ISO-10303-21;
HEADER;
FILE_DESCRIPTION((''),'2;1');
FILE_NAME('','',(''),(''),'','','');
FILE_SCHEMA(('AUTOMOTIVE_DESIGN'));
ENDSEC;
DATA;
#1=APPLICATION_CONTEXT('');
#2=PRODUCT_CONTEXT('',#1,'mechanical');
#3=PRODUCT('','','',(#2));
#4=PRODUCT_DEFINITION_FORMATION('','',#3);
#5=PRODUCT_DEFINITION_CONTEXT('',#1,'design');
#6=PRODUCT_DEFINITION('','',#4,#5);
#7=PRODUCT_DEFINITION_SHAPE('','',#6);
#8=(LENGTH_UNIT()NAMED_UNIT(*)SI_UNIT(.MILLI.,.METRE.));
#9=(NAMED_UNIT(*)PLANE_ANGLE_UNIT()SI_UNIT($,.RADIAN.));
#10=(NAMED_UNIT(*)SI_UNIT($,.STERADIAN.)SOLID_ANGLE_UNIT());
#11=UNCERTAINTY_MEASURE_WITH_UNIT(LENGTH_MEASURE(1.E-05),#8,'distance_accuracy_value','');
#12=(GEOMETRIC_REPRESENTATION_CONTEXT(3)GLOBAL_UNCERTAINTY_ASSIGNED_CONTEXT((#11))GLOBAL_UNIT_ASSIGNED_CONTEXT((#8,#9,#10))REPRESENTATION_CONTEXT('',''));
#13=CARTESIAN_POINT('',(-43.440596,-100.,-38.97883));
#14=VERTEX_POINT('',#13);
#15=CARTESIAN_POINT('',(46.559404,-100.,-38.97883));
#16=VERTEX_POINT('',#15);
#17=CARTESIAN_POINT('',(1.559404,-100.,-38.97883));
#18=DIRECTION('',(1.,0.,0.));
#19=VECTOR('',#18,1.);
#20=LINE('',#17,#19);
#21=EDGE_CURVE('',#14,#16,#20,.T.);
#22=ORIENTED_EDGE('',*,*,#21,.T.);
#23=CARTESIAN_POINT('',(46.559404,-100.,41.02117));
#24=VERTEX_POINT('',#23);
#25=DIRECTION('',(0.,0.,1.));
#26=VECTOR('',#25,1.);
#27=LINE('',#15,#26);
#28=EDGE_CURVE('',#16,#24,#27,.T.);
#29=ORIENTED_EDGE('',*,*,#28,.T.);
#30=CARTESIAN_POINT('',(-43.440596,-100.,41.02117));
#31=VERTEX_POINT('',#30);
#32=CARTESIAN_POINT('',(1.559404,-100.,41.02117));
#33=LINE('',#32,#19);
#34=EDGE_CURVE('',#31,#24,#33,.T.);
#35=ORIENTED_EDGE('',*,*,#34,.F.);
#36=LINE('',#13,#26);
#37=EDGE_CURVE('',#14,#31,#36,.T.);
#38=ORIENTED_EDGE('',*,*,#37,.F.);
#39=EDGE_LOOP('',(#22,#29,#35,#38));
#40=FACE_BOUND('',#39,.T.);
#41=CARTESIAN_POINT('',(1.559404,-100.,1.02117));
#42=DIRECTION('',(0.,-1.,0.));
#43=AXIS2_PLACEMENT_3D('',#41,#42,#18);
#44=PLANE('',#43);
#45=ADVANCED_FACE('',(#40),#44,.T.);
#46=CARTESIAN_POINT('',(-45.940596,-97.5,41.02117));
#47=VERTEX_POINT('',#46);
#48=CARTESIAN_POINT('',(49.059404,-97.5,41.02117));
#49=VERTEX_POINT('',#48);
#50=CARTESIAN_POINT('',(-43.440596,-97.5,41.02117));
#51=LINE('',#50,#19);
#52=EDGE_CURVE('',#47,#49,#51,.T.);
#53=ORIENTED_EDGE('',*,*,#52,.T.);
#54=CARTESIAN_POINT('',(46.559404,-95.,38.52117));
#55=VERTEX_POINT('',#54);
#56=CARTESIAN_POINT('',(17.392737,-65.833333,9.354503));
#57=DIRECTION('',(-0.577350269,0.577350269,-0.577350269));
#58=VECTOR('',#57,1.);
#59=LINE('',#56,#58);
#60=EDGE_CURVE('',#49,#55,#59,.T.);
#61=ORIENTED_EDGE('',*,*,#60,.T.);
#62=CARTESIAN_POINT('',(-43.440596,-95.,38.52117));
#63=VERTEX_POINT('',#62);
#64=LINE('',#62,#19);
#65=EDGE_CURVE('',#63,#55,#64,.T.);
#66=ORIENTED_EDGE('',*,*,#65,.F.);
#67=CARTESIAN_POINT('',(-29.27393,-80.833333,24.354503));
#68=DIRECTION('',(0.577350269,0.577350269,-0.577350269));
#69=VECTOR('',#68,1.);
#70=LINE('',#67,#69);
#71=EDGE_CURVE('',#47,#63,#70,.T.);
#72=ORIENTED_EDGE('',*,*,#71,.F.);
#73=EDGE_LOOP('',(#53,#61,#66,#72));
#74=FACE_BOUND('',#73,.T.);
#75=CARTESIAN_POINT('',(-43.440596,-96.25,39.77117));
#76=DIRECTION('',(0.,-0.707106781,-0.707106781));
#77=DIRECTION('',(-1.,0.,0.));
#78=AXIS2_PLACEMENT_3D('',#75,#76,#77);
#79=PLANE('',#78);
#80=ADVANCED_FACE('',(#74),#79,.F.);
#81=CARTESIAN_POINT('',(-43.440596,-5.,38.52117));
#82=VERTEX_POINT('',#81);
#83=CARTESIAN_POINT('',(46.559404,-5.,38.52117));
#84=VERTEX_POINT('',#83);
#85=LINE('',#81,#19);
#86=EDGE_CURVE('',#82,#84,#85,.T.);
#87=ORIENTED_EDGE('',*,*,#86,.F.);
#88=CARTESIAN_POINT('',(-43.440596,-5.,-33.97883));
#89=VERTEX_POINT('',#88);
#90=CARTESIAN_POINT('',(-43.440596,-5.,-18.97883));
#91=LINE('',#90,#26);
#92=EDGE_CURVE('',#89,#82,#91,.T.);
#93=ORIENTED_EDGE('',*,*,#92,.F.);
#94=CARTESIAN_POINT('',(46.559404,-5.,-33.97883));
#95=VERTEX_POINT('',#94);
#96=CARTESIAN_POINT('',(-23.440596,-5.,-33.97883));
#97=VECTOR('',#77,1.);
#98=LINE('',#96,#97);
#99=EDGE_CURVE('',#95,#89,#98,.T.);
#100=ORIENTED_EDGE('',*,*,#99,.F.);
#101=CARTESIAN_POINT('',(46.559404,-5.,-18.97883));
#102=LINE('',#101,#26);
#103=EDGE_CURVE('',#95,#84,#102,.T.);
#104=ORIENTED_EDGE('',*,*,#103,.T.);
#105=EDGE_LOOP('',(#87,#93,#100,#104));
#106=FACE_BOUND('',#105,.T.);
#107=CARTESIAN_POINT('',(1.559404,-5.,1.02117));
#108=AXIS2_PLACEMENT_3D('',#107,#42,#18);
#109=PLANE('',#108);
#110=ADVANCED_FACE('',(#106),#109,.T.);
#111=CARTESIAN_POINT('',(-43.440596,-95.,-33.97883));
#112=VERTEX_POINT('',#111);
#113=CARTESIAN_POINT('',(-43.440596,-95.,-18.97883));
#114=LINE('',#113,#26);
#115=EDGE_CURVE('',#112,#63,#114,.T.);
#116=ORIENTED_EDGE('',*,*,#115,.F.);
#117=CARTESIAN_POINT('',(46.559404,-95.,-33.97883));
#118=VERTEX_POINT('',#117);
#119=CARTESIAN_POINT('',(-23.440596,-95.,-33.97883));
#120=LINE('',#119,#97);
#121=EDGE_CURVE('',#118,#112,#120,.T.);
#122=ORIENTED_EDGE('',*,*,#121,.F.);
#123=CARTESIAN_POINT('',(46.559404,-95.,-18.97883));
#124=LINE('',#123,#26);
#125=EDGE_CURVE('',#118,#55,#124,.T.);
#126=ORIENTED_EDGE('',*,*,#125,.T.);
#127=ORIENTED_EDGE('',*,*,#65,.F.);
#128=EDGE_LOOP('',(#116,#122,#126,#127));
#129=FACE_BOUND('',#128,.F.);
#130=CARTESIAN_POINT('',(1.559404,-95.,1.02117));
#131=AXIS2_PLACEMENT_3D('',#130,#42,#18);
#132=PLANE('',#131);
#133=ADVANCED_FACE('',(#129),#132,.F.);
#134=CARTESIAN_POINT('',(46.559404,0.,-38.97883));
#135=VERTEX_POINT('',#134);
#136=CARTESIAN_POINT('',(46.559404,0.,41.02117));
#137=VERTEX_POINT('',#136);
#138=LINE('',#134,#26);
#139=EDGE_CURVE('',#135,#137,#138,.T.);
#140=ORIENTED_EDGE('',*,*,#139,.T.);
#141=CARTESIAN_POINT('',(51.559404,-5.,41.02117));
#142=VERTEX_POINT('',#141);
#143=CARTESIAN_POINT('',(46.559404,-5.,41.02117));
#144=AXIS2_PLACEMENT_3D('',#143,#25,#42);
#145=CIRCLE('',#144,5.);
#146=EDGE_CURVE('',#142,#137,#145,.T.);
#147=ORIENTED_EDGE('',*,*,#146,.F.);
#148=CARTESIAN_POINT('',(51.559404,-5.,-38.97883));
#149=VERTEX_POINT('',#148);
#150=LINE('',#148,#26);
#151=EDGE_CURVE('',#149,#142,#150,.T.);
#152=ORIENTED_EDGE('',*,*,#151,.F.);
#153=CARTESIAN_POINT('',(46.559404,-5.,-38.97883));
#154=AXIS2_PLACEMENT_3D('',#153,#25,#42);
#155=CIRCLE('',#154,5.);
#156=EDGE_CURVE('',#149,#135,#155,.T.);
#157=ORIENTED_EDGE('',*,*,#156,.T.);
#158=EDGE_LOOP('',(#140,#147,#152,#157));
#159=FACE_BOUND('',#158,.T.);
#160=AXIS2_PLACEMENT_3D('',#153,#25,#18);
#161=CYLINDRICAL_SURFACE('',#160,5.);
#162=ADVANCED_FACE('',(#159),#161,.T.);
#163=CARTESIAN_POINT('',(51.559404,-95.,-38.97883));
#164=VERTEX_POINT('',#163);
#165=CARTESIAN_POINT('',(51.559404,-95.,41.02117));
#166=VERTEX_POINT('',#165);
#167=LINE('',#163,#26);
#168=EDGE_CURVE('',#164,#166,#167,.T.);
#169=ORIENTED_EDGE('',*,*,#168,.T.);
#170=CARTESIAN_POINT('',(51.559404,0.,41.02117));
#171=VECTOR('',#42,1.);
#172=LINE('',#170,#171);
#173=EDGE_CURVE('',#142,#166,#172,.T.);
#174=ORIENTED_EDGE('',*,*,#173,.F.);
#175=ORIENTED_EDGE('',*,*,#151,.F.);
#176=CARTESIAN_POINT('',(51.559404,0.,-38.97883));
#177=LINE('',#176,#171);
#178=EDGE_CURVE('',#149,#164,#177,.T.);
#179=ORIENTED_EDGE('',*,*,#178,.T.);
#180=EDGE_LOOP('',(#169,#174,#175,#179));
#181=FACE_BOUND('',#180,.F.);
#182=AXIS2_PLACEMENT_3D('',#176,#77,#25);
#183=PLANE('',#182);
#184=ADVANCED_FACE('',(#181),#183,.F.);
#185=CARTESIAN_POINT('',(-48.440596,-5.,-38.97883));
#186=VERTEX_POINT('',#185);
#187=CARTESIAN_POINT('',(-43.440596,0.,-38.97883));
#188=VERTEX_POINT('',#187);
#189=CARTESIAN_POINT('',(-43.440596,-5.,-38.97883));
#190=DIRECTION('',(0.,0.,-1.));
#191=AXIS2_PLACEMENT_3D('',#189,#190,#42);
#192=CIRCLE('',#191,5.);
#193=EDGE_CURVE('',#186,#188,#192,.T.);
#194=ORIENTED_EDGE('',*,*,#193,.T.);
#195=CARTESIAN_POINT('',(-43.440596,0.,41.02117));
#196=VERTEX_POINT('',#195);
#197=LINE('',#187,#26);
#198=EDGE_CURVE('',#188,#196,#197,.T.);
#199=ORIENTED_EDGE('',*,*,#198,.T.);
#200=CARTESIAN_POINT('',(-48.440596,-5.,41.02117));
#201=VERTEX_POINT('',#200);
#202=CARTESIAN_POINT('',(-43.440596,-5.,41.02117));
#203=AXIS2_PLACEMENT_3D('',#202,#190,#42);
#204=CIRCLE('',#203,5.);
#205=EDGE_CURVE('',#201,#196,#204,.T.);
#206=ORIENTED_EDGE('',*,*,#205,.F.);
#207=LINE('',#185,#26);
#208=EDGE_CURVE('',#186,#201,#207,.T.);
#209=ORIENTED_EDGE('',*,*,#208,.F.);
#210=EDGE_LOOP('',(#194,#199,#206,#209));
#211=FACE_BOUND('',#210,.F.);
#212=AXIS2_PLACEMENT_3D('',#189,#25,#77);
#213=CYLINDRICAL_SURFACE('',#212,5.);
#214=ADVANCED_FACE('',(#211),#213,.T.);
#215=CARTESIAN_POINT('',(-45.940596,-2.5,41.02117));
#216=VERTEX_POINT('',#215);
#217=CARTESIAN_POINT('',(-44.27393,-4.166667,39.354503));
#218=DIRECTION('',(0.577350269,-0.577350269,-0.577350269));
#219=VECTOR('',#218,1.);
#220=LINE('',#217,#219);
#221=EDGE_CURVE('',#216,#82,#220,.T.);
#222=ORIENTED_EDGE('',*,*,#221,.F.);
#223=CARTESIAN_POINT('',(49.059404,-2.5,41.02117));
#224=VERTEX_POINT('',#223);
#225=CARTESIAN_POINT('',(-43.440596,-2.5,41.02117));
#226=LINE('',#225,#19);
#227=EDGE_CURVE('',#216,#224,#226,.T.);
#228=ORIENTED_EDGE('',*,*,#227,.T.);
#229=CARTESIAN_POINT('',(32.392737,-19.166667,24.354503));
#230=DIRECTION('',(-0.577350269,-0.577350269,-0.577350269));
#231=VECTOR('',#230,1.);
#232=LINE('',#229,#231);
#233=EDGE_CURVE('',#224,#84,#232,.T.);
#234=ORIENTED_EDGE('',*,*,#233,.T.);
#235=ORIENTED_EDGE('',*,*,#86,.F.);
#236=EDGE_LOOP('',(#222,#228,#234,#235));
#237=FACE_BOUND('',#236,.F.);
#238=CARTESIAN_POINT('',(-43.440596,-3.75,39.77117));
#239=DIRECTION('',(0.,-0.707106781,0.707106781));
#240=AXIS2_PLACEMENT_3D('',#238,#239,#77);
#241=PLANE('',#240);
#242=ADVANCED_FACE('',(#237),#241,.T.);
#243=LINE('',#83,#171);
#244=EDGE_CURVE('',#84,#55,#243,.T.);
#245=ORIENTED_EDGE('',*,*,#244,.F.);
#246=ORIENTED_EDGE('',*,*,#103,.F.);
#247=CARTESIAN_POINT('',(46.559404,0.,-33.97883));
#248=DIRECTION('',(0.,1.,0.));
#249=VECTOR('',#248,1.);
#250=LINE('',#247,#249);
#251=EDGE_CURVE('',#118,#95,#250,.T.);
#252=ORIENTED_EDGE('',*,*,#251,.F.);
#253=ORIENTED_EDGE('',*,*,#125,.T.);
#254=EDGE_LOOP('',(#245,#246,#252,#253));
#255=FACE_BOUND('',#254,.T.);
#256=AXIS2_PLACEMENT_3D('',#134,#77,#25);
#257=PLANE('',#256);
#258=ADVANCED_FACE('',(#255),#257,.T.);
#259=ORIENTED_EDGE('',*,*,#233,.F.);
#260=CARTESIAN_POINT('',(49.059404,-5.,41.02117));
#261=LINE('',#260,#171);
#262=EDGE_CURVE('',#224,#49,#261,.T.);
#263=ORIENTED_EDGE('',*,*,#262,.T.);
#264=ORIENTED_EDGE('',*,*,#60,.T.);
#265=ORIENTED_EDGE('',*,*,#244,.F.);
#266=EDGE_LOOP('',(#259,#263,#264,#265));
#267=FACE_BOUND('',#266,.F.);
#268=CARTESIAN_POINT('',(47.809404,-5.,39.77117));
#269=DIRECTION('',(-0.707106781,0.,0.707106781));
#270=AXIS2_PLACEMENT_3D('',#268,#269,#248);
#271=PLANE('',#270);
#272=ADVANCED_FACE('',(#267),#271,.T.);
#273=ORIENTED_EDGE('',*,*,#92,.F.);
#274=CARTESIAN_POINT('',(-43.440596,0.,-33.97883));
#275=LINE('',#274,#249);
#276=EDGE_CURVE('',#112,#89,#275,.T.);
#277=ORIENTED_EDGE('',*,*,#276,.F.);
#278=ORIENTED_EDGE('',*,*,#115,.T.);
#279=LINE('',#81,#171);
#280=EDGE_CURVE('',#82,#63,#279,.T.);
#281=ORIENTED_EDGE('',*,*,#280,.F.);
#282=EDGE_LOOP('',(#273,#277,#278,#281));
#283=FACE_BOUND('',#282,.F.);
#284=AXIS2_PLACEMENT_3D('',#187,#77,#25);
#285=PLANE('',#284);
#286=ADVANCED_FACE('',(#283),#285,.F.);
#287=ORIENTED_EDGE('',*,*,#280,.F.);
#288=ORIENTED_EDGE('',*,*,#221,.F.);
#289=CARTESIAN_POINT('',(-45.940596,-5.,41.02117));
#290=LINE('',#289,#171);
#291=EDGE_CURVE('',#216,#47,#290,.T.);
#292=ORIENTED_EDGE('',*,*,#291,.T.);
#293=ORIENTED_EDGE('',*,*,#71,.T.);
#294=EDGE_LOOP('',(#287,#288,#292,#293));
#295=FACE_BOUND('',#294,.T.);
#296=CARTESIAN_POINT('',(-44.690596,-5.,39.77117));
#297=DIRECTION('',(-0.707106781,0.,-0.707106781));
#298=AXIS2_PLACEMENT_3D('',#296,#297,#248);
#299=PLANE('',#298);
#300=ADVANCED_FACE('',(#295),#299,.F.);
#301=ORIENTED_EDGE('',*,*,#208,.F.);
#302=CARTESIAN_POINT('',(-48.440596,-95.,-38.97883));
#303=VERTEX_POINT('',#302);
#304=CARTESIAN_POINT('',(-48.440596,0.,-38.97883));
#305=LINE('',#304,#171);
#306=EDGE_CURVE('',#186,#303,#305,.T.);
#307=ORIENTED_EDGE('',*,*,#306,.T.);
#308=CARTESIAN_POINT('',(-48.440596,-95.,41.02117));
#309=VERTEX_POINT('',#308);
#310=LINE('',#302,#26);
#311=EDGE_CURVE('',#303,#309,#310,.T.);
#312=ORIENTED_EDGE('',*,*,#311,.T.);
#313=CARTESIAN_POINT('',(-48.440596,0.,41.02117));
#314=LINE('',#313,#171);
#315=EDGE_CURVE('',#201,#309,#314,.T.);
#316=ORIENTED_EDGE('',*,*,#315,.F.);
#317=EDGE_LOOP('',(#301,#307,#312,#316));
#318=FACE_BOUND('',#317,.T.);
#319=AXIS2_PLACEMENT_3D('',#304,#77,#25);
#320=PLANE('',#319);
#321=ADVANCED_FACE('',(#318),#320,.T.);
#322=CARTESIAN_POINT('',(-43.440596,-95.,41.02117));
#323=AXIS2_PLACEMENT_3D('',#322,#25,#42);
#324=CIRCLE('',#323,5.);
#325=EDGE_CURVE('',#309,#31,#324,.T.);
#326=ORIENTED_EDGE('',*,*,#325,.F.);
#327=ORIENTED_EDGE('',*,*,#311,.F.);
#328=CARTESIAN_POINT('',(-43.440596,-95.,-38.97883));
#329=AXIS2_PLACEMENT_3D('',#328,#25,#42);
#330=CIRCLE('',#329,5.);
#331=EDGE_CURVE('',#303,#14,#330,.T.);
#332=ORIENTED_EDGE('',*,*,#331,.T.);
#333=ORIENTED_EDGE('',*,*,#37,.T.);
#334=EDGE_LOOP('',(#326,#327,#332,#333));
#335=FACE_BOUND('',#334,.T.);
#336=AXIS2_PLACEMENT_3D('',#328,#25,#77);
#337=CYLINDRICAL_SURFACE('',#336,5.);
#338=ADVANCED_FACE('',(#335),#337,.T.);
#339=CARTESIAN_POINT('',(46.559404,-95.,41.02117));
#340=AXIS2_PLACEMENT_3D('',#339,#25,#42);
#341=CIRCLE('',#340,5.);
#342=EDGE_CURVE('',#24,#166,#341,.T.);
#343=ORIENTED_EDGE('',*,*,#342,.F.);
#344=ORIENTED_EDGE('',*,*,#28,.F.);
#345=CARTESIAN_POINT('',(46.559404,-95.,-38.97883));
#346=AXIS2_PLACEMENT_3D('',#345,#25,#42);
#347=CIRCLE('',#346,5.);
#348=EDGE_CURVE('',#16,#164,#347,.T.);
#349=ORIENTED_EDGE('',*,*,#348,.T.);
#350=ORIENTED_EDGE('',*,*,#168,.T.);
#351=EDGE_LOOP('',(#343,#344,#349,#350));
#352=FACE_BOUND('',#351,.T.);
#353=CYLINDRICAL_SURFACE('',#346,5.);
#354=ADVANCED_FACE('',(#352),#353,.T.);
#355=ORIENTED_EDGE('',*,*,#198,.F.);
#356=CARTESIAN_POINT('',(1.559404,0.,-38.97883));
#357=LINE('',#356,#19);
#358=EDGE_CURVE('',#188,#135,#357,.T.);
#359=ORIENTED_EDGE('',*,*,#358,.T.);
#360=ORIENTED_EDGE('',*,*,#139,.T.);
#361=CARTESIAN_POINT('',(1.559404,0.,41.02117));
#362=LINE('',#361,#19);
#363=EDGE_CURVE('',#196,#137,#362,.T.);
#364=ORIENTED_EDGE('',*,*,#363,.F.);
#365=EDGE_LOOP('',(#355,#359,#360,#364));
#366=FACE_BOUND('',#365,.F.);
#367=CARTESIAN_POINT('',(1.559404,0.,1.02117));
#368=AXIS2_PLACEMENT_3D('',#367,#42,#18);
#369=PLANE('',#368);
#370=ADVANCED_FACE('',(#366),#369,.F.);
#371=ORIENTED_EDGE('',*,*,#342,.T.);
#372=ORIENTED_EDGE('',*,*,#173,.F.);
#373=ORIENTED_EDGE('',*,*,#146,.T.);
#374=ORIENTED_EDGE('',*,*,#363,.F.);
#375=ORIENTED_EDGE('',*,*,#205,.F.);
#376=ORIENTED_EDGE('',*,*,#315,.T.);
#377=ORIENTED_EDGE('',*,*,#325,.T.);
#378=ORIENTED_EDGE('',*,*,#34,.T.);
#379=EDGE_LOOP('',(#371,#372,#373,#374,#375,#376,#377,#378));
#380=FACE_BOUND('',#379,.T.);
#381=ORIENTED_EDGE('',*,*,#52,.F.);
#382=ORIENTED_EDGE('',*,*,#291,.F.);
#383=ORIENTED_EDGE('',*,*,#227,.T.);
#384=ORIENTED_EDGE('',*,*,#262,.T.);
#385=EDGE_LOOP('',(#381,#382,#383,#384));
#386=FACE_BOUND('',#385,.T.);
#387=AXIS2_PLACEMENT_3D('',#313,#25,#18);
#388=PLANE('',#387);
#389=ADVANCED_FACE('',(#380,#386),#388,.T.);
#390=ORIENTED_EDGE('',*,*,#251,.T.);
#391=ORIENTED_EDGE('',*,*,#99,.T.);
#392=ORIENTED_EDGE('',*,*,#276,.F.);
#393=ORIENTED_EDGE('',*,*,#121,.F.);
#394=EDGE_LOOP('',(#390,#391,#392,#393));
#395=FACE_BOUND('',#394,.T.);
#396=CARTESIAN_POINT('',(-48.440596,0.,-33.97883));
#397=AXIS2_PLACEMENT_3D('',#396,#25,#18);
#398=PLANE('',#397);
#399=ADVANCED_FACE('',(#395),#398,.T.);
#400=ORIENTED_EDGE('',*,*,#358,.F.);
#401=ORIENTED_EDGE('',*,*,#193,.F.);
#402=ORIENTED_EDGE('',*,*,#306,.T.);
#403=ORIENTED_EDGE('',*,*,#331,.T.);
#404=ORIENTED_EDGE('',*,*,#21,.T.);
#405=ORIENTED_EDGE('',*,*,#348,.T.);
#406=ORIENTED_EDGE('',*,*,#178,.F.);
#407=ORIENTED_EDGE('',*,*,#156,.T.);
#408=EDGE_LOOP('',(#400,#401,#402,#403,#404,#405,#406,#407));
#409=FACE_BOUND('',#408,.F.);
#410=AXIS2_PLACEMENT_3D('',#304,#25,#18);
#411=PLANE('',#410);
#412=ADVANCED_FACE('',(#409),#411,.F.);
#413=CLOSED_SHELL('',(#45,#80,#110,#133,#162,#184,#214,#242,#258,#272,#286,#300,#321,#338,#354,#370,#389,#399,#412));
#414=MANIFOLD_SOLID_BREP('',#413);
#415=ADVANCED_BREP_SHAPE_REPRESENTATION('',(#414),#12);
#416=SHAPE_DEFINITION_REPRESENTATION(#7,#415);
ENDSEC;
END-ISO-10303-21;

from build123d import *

# Parameters (mm, degrees)
F0_W     = 100
F0_H     = 80
F1_DEPTH = 100
F2_T     = -5
F3_SIZE  = 2.5
F4_R     = 5


with BuildPart() as f1:
    # F0 (on Front) → F1 (new body)
    with BuildSketch(Plane.XZ):
        with Locations((1.5594035387, 1.0211700201)):
            Rectangle(F0_W, F0_H)
    extrude(amount=F1_DEPTH)

    # F2
    f2_openings = [f1.faces().sort_by_distance(p)[0] for p in [
        (1.559404, -50, 41.02117),
    ]]
    offset(amount=F2_T, openings=f2_openings)

    # F3
    f3_edges = [f1.edges().sort_by_distance(p)[0] for p in [
        (1.559404, -5, 41.02117),
        (-43.440596, -50, 41.02117),
        (1.559404, -95, 41.02117),
        (46.559404, -50, 41.02117),
    ]]
    chamfer(f3_edges, length=F3_SIZE)

    # F4
    f4_edges = [f1.edges().sort_by_distance(p)[0] for p in [
        (-48.440596, -100, 1.02117),
        (51.559404, -100, 1.02117),
        (51.559404, 0, 1.02117),
        (-48.440596, 0, 1.02117),
    ]]
    fillet(f4_edges, radius=F4_R)


solid = f1.part
